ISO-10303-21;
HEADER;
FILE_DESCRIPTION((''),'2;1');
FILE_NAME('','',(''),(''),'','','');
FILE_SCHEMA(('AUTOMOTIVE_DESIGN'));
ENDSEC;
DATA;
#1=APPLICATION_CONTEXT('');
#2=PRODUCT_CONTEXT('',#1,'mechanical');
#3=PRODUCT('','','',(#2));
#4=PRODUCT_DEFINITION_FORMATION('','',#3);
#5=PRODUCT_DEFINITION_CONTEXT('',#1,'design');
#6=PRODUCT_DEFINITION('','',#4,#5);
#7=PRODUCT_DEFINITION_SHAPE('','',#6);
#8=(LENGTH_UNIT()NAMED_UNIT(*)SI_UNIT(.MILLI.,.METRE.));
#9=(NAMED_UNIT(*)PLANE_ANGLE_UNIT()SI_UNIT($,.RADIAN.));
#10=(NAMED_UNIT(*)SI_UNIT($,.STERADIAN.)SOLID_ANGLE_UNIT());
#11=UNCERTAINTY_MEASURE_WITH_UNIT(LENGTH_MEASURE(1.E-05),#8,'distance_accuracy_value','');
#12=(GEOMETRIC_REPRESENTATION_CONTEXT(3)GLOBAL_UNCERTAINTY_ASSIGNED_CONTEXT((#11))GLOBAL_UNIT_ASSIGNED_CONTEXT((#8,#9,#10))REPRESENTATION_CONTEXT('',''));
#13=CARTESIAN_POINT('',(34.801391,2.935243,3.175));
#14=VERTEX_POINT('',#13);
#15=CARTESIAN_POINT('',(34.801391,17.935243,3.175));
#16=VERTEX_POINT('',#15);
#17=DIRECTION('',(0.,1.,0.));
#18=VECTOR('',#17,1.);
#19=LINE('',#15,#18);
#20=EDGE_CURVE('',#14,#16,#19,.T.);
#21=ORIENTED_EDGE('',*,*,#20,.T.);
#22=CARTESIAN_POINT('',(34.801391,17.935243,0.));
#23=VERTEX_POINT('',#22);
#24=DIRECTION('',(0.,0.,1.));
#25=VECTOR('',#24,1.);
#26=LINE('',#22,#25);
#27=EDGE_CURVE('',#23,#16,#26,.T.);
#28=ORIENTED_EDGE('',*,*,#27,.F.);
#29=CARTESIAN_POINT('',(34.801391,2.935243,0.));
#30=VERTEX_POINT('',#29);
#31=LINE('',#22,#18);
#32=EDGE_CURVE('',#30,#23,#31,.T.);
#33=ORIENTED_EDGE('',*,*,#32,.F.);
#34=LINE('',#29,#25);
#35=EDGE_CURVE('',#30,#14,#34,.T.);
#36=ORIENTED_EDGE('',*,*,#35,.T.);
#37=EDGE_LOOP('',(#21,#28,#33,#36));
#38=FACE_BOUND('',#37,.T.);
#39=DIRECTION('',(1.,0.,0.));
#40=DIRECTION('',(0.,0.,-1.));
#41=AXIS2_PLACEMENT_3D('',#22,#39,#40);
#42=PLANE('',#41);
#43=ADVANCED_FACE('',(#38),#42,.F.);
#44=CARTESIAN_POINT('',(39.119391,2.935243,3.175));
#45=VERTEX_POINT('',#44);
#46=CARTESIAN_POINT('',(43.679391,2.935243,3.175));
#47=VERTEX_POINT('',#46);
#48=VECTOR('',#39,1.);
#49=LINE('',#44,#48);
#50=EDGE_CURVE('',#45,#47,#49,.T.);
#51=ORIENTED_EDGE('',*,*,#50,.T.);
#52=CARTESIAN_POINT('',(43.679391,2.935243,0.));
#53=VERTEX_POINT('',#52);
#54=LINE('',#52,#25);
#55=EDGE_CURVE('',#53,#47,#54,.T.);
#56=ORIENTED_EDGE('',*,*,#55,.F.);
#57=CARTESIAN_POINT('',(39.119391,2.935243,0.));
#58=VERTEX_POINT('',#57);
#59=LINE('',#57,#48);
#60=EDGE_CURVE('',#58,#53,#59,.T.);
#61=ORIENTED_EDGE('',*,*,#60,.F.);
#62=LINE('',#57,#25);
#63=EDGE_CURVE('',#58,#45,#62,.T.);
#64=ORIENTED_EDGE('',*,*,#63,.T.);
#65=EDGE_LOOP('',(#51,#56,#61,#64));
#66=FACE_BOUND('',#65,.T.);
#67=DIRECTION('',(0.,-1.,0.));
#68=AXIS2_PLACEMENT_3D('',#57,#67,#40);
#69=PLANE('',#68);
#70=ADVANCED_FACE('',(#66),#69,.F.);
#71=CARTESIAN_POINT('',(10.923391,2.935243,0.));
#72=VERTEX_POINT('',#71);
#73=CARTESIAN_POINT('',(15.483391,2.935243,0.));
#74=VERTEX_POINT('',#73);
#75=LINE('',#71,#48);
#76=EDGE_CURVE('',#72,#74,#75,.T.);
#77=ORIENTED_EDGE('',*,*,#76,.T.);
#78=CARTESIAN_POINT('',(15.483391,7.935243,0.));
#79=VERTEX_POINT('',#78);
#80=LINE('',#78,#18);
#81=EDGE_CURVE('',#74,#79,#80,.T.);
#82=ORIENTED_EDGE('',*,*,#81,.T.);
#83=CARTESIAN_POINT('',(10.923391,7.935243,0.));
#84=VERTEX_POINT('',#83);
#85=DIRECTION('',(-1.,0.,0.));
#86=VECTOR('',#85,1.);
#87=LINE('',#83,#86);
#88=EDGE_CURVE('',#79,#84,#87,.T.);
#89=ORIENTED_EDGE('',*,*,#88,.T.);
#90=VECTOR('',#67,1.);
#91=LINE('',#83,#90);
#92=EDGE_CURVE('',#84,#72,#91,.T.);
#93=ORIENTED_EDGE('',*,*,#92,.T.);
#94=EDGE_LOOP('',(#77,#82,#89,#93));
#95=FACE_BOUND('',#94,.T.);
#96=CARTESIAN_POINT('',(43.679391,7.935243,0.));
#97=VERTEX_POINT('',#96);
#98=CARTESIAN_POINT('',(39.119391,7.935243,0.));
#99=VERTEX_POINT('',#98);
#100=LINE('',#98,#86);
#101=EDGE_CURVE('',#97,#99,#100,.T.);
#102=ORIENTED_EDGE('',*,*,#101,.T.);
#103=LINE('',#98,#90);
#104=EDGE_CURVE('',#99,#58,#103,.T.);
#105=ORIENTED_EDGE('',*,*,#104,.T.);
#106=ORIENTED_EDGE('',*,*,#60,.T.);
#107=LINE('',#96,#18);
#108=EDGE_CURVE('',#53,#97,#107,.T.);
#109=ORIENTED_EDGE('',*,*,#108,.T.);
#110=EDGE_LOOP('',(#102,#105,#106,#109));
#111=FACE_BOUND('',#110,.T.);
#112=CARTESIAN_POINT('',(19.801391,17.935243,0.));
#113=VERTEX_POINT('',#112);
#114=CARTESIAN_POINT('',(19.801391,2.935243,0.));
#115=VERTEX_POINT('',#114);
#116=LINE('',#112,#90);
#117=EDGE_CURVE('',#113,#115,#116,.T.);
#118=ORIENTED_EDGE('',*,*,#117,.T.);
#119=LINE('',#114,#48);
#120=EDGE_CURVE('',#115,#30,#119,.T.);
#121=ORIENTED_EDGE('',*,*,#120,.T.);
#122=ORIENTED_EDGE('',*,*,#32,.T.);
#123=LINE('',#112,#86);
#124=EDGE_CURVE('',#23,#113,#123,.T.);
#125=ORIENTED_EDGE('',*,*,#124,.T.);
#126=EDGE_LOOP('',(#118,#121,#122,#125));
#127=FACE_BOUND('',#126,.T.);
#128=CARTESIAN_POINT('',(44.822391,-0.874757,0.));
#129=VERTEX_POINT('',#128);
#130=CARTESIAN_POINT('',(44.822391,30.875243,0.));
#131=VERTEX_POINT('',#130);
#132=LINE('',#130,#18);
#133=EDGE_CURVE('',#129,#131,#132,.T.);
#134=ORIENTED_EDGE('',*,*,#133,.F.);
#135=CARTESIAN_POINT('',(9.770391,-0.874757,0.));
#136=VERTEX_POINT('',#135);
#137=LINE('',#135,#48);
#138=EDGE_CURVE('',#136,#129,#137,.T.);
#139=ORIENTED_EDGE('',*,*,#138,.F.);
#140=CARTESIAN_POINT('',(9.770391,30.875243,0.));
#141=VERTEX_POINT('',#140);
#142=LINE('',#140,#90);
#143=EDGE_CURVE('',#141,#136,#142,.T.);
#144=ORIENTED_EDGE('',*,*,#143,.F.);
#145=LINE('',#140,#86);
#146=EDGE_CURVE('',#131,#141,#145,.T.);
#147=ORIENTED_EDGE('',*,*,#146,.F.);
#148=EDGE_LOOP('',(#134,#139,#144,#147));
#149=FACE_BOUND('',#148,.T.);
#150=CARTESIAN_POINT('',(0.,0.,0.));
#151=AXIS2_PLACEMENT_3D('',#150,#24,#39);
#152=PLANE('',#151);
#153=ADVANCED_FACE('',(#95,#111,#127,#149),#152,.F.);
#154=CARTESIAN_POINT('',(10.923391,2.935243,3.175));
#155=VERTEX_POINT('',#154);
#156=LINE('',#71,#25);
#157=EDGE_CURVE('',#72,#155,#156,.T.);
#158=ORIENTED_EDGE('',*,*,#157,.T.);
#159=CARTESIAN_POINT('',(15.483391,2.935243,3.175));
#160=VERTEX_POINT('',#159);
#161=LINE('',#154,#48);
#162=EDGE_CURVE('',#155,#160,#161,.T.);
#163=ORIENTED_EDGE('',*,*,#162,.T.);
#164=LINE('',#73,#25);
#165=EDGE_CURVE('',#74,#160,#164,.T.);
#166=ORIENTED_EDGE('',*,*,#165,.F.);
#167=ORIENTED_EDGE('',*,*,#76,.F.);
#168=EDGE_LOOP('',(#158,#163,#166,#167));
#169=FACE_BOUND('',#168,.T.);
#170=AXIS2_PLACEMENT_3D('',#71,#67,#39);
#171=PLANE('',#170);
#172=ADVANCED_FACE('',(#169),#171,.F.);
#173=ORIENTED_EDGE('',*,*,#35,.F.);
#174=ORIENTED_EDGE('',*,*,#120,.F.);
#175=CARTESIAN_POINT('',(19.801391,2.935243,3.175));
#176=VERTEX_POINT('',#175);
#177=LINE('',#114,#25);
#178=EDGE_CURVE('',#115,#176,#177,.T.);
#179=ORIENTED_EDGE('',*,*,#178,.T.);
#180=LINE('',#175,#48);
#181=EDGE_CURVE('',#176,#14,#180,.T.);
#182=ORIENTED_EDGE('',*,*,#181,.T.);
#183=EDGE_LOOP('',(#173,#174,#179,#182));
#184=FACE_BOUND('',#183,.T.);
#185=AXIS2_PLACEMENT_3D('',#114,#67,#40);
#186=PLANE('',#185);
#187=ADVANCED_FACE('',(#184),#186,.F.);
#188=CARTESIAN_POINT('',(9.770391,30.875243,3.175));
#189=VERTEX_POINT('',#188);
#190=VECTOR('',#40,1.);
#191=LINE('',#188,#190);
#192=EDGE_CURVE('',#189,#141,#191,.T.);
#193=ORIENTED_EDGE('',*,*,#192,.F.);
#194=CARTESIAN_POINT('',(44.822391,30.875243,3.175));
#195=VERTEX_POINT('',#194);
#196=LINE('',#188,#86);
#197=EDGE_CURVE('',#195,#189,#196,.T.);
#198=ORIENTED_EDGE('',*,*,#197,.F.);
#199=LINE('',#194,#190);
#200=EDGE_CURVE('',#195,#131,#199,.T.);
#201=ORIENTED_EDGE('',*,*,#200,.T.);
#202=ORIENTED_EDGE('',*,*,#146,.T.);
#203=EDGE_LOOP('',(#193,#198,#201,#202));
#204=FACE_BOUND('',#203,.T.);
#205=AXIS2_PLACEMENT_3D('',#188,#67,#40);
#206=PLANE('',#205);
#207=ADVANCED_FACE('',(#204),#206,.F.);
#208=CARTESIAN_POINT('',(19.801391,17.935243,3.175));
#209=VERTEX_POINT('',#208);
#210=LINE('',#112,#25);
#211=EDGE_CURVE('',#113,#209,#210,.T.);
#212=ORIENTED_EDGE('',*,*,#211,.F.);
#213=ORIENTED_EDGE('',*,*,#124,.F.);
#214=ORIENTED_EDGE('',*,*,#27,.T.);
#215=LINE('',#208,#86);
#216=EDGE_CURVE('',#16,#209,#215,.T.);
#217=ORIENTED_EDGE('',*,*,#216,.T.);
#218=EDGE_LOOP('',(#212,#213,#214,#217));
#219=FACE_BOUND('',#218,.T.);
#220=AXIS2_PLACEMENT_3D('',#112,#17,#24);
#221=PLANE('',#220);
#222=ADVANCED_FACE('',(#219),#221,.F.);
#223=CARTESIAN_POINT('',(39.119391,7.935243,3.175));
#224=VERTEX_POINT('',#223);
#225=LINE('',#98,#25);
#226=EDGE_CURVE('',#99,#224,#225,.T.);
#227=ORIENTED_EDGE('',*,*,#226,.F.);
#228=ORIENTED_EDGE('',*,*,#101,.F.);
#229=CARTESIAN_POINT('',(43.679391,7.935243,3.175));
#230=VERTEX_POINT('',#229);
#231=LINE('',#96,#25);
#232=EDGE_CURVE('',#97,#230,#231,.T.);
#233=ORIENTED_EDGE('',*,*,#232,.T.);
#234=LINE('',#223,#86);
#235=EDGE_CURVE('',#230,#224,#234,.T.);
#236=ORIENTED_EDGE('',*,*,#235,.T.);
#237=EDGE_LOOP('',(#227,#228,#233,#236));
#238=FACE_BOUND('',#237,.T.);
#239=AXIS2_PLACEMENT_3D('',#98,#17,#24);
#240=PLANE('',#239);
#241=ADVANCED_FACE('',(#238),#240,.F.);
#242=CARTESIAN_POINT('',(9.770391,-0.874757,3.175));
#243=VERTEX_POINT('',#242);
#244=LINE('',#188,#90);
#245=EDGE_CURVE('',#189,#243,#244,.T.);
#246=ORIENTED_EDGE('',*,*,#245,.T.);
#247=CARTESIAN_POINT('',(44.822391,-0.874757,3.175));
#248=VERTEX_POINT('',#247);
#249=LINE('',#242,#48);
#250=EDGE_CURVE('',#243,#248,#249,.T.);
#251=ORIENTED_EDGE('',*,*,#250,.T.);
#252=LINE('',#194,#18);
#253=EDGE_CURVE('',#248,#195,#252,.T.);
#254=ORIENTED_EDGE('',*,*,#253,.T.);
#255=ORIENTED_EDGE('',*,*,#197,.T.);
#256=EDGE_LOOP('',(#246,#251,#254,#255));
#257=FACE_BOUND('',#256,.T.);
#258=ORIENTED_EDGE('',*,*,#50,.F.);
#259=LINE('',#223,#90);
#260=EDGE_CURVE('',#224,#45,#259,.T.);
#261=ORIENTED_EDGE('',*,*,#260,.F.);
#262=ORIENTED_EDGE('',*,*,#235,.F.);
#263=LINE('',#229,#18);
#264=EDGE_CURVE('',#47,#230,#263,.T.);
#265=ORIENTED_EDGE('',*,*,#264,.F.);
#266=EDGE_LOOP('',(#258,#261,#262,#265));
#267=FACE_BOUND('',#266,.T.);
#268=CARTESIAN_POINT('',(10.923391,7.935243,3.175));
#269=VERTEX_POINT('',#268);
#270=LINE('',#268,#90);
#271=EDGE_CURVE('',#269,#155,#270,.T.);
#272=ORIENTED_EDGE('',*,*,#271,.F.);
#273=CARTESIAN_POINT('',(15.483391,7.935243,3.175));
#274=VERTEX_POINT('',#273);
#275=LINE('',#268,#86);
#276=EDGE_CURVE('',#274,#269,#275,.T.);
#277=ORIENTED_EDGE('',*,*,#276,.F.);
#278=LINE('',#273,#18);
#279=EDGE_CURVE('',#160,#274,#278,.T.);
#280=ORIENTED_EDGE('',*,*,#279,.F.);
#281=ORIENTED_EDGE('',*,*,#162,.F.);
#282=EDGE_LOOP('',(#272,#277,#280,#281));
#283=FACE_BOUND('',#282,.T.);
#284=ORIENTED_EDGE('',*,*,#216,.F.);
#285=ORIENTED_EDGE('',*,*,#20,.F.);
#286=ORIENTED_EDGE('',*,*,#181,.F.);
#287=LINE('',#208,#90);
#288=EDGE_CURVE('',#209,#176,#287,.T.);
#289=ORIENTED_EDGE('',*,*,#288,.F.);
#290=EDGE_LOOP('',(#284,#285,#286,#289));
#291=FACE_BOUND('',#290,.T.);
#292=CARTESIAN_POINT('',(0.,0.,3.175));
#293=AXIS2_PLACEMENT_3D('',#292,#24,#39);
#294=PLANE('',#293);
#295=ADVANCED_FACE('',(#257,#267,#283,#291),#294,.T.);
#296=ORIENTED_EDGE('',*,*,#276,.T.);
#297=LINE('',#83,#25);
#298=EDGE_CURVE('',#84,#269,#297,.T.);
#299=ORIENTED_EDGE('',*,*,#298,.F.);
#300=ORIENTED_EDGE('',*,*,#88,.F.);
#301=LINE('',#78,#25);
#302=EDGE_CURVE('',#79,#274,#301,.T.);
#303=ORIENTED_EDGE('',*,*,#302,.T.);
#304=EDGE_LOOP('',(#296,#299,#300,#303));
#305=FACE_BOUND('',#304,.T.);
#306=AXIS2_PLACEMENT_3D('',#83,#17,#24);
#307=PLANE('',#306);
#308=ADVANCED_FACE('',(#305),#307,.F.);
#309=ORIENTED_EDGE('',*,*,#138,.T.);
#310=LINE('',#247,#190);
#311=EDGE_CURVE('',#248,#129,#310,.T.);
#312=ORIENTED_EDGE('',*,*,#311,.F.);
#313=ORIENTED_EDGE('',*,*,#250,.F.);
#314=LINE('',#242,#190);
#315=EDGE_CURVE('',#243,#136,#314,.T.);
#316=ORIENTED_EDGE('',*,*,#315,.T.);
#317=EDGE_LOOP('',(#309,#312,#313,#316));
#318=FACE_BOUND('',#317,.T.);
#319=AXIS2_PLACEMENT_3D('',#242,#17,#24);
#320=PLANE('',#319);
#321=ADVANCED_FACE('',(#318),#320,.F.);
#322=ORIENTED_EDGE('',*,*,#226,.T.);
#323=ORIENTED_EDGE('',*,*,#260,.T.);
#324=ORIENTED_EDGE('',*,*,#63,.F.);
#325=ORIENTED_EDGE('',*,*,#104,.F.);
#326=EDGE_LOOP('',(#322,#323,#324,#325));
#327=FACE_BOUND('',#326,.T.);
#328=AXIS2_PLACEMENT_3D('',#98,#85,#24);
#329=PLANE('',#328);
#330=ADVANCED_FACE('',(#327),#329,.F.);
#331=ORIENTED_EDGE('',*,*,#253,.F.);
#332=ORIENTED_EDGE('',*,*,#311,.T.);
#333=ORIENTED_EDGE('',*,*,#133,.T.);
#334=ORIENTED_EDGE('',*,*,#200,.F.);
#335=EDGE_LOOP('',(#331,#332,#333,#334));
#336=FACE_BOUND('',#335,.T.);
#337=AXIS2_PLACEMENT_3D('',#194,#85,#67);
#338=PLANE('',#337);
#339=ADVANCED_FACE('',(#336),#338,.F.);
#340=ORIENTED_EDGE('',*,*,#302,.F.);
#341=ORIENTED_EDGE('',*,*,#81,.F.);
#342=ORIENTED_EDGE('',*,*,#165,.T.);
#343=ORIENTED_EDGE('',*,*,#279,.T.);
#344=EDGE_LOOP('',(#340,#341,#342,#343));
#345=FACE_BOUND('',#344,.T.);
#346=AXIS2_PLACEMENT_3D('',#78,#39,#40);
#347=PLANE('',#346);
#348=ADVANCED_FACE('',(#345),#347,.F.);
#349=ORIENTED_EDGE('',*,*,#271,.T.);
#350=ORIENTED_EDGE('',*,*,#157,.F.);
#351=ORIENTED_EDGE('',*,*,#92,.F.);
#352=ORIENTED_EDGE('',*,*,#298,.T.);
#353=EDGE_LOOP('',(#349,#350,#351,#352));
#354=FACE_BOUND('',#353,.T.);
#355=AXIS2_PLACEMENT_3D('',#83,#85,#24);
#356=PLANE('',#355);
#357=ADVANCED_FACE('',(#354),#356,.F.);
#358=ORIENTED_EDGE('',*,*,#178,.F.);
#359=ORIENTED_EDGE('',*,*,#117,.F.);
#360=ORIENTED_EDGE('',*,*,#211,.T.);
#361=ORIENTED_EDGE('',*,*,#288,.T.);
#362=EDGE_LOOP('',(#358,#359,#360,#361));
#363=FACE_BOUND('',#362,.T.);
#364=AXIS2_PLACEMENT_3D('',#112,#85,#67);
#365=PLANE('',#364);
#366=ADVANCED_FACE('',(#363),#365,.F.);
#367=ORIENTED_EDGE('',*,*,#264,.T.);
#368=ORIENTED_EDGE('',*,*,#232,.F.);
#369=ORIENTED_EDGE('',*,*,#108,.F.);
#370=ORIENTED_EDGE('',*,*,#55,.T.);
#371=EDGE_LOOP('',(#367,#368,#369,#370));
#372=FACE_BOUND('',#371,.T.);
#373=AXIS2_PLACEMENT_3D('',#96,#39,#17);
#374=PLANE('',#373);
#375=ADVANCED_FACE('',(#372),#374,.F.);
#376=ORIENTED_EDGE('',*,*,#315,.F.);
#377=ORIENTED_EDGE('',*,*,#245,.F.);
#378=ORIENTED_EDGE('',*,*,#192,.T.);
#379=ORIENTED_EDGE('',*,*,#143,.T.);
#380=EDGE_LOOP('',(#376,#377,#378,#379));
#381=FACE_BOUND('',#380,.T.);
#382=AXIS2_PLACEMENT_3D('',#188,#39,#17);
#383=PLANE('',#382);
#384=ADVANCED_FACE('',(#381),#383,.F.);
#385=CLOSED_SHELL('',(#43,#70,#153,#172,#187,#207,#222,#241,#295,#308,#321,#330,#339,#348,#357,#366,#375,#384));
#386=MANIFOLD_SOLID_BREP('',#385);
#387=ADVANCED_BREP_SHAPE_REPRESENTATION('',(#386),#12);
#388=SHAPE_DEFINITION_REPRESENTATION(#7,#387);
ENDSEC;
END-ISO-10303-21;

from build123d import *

# Parameters (mm, degrees)
SKETCH1_W           = 35.052
SKETCH1_H           = 31.75
BOSS_EXTRUDE1_DEPTH = 3.175
SKETCH2_W           = 15
SKETCH2_H           = 15
SKETCH2_W_2         = 4.56
SKETCH2_H_2         = 5
SKETCH2_W_3         = 4.559999976
CUT_EXTRUDE1_DEPTH  = 3.175


with BuildPart() as part:
    # Sketch1 → Boss-Extrude1 (new body)
    with BuildSketch(Plane.XY):
        with Locations((27.296391118, 15.000242991)):
            Rectangle(SKETCH1_W, SKETCH1_H)
    extrude(amount=BOSS_EXTRUDE1_DEPTH)

    # Sketch2 → Cut-Extrude1 (cut)
    with BuildSketch(Plane.XY.offset(3.175)):
        with Locations((27.301391118, 10.435242991)):
            Rectangle(SKETCH2_W, SKETCH2_H)
        with Locations((41.399391118, 5.435242991)):
            Rectangle(SKETCH2_W_2, SKETCH2_H_2)
        with Locations((13.20339113, 5.435242991)):
            Rectangle(SKETCH2_W_3, SKETCH2_H_2)
    extrude(amount=-CUT_EXTRUDE1_DEPTH, mode=Mode.SUBTRACT)


solid = part.part
